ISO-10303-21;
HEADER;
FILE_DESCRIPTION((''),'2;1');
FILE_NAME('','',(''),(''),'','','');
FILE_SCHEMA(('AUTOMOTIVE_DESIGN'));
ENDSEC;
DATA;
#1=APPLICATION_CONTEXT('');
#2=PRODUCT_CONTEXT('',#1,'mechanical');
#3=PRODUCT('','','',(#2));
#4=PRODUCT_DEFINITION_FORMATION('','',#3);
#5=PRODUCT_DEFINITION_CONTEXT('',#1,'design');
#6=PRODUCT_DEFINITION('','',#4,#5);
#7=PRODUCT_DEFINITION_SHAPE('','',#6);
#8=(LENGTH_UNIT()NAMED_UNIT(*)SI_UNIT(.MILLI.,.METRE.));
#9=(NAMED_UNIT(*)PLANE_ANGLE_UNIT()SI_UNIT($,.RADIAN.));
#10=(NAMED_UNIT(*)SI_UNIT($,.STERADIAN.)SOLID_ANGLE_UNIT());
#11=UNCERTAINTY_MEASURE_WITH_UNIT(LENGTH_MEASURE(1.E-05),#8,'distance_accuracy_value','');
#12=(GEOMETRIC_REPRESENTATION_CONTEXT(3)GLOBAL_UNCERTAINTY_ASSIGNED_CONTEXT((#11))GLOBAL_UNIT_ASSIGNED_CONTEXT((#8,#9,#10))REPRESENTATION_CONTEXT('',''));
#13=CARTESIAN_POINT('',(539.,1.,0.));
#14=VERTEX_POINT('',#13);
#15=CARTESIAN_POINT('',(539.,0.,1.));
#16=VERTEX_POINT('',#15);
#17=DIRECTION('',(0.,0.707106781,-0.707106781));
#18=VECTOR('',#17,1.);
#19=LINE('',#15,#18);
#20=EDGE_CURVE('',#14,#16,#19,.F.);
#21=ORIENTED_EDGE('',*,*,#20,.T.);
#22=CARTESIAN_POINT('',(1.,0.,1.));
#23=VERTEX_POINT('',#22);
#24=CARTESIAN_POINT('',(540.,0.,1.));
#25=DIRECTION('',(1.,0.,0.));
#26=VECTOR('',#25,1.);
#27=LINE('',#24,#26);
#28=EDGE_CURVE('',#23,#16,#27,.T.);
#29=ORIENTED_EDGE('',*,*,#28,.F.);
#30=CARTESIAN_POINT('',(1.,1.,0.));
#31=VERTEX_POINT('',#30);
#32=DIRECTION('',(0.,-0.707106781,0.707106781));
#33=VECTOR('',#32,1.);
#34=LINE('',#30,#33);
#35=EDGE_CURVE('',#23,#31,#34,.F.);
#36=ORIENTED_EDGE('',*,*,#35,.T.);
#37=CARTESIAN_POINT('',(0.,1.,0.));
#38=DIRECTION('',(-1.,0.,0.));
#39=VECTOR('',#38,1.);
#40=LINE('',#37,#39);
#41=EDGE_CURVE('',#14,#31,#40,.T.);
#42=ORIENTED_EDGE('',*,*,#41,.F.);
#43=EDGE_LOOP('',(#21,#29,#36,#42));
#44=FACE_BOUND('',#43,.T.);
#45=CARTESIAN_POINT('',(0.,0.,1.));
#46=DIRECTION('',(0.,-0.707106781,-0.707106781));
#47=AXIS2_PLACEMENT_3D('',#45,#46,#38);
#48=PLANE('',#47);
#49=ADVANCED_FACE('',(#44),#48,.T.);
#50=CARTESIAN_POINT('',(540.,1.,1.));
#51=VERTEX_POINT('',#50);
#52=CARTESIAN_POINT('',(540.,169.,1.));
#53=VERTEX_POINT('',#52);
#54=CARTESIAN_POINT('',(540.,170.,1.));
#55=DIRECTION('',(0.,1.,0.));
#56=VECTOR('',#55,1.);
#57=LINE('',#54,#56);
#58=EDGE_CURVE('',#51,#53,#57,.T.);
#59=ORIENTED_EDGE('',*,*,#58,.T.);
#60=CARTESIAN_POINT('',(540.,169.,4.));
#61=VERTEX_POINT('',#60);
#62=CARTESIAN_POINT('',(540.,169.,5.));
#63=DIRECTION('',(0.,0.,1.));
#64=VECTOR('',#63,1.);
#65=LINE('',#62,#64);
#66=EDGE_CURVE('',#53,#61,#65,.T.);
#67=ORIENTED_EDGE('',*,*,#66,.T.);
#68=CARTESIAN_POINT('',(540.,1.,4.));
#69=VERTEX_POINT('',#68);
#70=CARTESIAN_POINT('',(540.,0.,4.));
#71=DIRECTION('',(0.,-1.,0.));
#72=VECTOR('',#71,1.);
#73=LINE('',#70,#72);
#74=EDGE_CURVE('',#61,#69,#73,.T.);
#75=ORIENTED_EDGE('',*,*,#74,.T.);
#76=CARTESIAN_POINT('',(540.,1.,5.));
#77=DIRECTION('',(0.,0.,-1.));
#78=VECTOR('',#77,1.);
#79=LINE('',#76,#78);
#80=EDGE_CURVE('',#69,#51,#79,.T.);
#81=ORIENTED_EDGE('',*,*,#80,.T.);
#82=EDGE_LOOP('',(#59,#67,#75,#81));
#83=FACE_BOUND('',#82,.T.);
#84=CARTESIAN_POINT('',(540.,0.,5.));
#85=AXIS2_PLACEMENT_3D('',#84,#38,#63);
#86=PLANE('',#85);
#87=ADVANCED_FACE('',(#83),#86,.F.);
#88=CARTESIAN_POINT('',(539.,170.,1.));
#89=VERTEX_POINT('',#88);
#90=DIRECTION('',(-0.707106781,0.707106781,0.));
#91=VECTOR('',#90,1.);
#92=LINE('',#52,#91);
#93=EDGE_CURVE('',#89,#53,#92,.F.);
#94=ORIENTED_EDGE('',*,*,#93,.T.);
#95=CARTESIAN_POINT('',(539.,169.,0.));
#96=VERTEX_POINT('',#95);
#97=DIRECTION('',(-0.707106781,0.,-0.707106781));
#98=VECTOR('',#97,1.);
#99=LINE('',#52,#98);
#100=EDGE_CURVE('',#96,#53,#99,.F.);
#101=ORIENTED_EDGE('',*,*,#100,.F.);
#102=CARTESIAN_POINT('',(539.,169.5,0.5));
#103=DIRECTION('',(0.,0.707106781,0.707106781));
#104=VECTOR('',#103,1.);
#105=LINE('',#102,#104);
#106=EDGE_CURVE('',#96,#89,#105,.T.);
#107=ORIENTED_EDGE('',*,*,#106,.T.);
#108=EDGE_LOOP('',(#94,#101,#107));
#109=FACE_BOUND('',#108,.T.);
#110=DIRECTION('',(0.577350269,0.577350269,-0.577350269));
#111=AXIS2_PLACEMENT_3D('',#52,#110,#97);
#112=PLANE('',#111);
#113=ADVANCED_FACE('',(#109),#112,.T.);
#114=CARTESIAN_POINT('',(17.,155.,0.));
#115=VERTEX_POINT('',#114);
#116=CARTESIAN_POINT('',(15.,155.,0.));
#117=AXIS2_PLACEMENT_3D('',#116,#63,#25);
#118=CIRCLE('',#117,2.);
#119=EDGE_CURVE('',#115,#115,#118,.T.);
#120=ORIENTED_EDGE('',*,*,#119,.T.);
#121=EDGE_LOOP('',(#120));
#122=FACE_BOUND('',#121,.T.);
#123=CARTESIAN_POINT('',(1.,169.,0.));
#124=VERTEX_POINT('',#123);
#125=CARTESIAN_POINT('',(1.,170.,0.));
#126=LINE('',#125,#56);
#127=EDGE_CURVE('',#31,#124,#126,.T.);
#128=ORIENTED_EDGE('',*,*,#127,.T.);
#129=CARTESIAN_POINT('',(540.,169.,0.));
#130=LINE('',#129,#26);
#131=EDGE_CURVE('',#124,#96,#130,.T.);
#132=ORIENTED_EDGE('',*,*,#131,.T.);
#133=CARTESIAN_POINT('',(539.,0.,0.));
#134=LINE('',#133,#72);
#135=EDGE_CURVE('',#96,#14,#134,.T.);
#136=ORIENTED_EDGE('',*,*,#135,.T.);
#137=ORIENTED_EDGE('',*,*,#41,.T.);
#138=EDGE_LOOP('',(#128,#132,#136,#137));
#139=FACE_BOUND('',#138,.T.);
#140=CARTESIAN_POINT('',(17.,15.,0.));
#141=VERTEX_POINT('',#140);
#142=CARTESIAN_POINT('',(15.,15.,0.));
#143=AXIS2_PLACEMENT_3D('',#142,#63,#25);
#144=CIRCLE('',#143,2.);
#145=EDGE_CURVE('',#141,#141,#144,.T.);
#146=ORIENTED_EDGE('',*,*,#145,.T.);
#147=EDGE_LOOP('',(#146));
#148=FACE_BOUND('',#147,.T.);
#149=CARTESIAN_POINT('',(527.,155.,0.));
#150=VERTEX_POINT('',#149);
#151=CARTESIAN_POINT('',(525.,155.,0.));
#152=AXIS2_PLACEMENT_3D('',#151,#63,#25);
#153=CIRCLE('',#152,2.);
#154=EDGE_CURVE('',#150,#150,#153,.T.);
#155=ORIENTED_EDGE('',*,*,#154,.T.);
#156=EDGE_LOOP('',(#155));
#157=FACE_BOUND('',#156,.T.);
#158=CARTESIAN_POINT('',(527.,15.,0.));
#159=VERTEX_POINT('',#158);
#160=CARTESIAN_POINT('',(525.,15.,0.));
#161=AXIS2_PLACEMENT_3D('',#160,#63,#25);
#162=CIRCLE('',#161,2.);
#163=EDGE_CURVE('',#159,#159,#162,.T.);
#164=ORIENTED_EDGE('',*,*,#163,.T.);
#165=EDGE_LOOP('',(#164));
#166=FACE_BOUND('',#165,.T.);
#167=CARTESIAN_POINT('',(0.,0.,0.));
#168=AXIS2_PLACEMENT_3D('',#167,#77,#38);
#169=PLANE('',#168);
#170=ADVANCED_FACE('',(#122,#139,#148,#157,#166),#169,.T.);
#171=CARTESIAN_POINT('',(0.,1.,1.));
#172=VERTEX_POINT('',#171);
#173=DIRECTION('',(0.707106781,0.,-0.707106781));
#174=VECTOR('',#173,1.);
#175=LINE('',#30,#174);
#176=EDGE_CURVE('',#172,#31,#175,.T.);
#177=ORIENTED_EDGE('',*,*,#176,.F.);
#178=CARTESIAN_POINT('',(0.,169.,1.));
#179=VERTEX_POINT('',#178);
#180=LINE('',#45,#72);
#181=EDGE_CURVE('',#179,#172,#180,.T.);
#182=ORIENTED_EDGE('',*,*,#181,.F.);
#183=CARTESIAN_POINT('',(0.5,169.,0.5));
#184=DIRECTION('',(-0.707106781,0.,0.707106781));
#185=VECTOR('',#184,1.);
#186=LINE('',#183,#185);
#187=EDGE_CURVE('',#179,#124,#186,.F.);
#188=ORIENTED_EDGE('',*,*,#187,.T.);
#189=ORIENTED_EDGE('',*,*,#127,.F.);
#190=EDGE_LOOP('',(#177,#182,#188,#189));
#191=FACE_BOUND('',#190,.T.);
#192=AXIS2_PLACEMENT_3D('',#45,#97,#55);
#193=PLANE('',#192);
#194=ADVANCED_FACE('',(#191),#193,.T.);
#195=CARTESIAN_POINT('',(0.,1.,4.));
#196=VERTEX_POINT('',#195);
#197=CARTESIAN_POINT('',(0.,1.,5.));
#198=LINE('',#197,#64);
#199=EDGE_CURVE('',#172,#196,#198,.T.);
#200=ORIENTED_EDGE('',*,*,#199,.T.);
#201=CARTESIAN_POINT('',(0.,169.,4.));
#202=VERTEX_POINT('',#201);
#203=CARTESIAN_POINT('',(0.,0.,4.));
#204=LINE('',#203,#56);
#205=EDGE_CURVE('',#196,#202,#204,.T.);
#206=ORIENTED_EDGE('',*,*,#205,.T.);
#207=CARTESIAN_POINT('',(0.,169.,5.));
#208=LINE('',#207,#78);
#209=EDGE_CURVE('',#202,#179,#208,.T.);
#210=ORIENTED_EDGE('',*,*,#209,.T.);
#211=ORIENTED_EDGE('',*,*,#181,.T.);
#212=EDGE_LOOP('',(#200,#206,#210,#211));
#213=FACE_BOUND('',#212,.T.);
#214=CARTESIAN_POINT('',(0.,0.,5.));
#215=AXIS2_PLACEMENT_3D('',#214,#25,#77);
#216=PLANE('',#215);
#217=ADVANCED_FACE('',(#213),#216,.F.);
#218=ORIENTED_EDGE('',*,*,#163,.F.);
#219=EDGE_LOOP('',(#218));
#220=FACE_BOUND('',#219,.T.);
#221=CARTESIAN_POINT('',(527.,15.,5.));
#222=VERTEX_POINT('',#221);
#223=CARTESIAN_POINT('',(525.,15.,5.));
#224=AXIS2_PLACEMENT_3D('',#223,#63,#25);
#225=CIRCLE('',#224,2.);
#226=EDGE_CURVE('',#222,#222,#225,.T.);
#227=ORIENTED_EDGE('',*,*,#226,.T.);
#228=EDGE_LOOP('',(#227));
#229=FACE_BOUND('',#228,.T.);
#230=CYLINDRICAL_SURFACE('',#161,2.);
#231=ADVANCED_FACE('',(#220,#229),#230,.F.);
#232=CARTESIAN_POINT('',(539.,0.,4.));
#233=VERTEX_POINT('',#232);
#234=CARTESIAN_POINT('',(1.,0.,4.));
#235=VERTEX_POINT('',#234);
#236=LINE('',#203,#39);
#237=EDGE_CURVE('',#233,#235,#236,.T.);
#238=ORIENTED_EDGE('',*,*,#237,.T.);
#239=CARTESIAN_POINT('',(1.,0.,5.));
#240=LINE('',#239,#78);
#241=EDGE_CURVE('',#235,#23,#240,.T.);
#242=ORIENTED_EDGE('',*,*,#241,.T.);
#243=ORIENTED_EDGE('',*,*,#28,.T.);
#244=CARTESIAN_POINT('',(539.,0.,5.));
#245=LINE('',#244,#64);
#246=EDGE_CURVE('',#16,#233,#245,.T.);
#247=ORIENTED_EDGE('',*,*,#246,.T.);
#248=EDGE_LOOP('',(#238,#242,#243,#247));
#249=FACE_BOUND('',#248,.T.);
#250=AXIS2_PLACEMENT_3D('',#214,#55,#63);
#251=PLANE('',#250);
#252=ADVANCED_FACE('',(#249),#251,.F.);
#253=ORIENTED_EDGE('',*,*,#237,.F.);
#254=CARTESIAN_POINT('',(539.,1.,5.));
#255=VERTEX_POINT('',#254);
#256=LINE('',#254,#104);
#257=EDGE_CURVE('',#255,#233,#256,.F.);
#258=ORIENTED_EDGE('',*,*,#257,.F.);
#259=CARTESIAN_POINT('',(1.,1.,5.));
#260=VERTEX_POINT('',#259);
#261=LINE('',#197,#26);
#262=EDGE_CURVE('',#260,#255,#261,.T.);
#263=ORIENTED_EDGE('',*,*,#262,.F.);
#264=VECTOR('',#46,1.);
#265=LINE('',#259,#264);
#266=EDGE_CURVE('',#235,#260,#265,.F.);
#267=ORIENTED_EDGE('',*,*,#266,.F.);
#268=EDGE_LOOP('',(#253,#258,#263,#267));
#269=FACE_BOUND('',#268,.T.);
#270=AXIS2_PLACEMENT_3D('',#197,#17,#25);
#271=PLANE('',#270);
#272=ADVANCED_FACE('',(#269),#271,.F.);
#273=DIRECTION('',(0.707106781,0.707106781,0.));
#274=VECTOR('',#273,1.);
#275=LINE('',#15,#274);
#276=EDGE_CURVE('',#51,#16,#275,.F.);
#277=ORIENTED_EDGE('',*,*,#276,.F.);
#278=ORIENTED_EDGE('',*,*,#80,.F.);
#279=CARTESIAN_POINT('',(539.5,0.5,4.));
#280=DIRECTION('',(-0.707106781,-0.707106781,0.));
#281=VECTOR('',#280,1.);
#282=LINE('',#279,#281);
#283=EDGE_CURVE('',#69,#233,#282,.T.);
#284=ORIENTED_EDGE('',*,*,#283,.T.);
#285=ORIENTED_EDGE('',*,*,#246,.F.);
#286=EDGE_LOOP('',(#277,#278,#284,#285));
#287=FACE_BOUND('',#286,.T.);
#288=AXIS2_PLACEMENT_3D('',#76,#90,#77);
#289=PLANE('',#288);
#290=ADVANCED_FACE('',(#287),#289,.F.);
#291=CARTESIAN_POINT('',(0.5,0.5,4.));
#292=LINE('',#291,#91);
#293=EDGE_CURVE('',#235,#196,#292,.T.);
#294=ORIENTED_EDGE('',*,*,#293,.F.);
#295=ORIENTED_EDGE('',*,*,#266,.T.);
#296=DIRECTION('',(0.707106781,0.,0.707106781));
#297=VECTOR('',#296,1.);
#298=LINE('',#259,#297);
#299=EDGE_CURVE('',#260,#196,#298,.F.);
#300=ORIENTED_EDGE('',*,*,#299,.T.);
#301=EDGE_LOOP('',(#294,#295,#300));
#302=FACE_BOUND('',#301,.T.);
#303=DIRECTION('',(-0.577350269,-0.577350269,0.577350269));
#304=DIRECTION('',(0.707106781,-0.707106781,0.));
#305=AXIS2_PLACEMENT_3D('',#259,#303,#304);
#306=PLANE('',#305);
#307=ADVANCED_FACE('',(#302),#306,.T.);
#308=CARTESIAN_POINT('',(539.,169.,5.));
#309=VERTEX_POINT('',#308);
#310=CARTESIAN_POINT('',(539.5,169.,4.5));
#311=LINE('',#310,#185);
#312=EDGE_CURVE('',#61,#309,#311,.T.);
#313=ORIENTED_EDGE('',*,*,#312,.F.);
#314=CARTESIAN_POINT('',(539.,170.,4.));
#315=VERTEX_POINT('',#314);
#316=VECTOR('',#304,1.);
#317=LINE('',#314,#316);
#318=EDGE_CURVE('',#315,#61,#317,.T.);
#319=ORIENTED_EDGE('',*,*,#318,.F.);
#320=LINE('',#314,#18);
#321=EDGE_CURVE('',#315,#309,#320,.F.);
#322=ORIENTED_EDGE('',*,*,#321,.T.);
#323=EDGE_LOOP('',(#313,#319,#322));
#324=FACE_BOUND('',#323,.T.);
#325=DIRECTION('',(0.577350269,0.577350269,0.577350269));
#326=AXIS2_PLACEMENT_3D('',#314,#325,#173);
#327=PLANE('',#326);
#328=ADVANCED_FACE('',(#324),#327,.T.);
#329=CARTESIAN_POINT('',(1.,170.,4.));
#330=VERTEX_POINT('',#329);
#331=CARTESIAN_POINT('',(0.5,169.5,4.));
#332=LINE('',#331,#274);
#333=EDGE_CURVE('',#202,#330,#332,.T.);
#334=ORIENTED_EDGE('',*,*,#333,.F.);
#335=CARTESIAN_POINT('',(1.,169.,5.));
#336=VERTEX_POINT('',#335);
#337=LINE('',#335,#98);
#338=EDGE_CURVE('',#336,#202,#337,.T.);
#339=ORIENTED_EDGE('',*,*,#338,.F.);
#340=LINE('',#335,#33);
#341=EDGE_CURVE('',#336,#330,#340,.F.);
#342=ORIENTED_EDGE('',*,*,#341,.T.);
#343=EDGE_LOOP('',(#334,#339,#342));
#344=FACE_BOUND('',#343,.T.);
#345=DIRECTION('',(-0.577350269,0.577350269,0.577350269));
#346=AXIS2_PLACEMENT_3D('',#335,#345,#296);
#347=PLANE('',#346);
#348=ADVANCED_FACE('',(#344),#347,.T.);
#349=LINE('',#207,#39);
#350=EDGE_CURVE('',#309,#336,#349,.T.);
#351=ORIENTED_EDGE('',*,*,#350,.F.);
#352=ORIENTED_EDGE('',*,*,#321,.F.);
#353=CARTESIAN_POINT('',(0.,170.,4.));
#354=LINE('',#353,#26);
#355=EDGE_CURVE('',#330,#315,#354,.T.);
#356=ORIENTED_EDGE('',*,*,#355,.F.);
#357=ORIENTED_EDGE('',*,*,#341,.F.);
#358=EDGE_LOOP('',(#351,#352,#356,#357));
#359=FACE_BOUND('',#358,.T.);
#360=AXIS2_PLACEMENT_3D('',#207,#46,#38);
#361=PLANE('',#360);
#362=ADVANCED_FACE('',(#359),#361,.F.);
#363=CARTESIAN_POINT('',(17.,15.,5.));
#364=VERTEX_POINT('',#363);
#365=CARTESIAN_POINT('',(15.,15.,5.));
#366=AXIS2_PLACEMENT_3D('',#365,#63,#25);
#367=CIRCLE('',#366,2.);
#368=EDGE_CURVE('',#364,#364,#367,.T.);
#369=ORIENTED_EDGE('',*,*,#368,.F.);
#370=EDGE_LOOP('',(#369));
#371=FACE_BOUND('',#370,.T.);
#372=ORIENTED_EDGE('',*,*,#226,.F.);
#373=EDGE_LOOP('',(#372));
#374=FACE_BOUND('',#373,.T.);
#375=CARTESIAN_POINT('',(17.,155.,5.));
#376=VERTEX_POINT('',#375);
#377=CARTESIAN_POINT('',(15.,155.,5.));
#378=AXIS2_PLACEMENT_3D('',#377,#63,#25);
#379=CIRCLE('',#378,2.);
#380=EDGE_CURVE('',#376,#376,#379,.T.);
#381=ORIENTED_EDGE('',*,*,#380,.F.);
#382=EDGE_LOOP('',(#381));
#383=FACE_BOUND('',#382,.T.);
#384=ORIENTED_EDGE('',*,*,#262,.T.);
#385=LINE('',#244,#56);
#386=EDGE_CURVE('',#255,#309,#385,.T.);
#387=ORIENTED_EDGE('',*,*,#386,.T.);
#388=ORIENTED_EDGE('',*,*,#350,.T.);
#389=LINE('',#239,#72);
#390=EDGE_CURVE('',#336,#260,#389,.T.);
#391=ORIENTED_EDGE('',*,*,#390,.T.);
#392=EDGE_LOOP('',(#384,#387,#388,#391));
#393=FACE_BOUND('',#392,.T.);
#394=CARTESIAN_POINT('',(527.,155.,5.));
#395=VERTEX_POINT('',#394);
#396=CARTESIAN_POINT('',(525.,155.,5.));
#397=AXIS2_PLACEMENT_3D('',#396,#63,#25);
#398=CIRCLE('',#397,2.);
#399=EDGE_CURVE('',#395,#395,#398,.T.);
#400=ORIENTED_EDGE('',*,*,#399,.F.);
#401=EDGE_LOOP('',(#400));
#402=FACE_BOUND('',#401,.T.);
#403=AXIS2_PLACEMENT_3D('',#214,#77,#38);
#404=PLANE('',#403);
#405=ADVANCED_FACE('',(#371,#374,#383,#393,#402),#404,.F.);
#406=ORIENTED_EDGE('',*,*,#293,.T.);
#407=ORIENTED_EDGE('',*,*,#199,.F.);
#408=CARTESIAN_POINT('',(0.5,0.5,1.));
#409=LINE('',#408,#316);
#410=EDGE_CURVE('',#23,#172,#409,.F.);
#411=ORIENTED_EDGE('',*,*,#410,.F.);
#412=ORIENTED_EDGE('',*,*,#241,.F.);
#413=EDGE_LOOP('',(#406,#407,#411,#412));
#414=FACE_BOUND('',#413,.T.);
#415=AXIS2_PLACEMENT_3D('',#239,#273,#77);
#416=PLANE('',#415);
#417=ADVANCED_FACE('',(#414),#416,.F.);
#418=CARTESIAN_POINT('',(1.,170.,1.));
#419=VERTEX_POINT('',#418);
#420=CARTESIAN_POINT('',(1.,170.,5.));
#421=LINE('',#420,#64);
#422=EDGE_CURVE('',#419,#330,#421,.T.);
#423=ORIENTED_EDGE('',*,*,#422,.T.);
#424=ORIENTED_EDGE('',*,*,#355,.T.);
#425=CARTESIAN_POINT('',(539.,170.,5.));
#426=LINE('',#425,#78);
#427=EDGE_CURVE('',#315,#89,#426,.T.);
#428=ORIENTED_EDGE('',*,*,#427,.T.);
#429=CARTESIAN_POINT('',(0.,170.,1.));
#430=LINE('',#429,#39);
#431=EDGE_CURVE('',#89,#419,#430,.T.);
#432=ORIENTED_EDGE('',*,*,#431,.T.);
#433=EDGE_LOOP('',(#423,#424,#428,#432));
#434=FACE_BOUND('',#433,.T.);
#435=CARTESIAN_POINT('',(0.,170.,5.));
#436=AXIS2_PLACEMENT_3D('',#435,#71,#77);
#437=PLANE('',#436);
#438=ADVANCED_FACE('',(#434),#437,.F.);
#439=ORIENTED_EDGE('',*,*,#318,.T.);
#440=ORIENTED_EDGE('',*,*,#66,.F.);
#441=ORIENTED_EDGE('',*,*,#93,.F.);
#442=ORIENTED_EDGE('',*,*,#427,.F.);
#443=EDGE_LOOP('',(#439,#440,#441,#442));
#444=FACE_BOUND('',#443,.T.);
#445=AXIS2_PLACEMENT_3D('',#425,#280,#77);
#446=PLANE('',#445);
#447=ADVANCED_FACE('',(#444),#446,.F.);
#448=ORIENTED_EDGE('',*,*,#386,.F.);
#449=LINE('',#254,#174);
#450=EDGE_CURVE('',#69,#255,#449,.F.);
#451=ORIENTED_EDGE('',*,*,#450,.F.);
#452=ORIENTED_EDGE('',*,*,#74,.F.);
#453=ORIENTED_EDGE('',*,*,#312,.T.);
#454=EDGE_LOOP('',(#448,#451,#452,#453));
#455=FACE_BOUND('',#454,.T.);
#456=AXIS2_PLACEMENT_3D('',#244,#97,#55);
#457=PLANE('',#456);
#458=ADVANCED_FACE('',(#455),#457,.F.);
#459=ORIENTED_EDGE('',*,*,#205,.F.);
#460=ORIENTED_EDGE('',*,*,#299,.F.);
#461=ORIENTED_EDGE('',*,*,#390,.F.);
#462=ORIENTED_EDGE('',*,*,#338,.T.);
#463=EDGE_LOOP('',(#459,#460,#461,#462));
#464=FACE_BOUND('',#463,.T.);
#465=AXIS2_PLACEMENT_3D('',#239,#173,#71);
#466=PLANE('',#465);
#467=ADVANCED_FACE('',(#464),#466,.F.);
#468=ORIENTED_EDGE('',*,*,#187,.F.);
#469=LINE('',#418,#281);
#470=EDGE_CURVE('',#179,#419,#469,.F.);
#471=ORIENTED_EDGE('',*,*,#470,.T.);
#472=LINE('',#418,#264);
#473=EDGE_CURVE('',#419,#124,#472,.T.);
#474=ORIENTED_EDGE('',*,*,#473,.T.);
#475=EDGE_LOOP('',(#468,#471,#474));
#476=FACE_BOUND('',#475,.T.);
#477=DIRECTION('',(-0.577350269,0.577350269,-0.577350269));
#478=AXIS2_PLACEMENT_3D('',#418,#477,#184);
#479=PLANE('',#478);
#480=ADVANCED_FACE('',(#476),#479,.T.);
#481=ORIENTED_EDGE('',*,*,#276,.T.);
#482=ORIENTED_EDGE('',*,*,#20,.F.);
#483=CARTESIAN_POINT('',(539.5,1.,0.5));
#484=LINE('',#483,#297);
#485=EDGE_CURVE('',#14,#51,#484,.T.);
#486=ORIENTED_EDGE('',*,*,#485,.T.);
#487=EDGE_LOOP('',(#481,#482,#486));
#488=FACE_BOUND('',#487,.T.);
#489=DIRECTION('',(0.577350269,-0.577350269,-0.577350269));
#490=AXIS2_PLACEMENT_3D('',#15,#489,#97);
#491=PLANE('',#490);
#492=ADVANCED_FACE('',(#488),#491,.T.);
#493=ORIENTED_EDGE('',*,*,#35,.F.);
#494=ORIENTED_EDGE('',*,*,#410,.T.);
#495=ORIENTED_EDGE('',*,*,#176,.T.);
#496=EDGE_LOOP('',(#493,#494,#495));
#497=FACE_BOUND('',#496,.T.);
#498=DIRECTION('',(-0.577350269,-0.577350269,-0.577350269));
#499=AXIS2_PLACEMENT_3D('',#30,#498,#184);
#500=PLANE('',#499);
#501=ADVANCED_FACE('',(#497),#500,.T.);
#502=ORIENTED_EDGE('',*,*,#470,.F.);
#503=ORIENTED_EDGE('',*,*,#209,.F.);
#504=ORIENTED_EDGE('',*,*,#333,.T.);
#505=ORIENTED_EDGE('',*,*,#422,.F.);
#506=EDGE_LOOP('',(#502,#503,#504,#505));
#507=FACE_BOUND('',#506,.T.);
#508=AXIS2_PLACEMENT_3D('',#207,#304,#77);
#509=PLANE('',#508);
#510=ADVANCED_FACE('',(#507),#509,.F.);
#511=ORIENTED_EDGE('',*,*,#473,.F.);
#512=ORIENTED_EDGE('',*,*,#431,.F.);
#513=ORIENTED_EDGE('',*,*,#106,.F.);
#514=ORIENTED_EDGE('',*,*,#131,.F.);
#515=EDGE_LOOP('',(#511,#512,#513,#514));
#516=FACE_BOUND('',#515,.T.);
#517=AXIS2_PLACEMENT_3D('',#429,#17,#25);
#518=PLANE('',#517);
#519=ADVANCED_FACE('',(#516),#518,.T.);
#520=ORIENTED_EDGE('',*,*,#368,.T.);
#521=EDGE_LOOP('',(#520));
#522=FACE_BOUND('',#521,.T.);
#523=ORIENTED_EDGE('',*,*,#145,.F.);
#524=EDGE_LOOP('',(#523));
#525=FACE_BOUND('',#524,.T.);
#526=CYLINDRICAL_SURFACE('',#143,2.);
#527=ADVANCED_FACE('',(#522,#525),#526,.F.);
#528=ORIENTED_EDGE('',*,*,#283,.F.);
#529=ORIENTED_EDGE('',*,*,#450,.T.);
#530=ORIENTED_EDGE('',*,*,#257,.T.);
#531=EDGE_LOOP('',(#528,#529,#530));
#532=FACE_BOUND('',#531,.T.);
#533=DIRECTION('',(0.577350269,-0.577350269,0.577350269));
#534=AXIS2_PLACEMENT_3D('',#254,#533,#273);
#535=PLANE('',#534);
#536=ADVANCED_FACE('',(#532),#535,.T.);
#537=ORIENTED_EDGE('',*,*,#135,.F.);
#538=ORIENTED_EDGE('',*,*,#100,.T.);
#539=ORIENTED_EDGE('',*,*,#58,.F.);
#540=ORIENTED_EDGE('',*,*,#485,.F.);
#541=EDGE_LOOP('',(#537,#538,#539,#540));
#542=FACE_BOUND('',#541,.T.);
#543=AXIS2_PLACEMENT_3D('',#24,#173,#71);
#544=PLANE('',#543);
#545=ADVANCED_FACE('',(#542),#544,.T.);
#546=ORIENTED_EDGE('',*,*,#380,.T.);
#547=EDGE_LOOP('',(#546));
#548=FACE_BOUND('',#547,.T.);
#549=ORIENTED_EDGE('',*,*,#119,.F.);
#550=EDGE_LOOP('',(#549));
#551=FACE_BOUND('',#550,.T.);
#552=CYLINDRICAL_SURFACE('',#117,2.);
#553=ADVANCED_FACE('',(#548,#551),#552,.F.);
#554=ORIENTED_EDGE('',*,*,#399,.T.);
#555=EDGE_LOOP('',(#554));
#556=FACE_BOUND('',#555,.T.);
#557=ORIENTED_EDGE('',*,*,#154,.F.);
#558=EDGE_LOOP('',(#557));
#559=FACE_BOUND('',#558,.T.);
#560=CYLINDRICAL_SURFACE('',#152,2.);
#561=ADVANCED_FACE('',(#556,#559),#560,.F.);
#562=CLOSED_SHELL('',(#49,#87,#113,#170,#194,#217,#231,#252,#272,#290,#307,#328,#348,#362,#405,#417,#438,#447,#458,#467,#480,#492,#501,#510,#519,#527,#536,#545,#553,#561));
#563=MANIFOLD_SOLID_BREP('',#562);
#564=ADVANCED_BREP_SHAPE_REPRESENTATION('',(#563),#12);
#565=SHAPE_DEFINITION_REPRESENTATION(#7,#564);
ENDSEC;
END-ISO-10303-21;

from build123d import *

# Parameters (mm, degrees)
SKETCH1_W           = 540
SKETCH1_H           = 170
BOSS_EXTRUDE1_DEPTH = 5
CHAMFER1_SIZE       = 1
SKETCH2_R           = 2
CUT_EXTRUDE1_DEPTH  = 5


with BuildPart() as part:
    # Sketch1 → Boss-Extrude1 (new body)
    with BuildSketch(Plane.XY):
        with Locations((270, 85)):
            Rectangle(SKETCH1_W, SKETCH1_H)
    extrude(amount=BOSS_EXTRUDE1_DEPTH)

    # Chamfer1
    chamfer1_edges = [part.edges().sort_by_distance(p)[0] for p in [
        (540, 85, 5),
        (270, 170, 5),
        (0, 85, 5),
        (270, 170, 0),
        (540, 85, 0),
        (270, 0, 0),
        (0, 85, 0),
        (0, 170, 2.5),
        (540, 170, 2.5),
        (540, 0, 2.5),
        (0, 0, 2.5),
        (270, 0, 5),
    ]]
    chamfer(chamfer1_edges, length=CHAMFER1_SIZE)

    # Sketch2 → Cut-Extrude1 (cut)
    with BuildSketch(Plane.XY.offset(5)):
        with Locations((525, 155)):
            Circle(SKETCH2_R)
        with Locations((525, 15)):
            Circle(SKETCH2_R)
        with Locations((15, 155)):
            Circle(SKETCH2_R)
        with Locations((15, 15)):
            Circle(SKETCH2_R)
    extrude(amount=-CUT_EXTRUDE1_DEPTH, mode=Mode.SUBTRACT)


solid = part.part
